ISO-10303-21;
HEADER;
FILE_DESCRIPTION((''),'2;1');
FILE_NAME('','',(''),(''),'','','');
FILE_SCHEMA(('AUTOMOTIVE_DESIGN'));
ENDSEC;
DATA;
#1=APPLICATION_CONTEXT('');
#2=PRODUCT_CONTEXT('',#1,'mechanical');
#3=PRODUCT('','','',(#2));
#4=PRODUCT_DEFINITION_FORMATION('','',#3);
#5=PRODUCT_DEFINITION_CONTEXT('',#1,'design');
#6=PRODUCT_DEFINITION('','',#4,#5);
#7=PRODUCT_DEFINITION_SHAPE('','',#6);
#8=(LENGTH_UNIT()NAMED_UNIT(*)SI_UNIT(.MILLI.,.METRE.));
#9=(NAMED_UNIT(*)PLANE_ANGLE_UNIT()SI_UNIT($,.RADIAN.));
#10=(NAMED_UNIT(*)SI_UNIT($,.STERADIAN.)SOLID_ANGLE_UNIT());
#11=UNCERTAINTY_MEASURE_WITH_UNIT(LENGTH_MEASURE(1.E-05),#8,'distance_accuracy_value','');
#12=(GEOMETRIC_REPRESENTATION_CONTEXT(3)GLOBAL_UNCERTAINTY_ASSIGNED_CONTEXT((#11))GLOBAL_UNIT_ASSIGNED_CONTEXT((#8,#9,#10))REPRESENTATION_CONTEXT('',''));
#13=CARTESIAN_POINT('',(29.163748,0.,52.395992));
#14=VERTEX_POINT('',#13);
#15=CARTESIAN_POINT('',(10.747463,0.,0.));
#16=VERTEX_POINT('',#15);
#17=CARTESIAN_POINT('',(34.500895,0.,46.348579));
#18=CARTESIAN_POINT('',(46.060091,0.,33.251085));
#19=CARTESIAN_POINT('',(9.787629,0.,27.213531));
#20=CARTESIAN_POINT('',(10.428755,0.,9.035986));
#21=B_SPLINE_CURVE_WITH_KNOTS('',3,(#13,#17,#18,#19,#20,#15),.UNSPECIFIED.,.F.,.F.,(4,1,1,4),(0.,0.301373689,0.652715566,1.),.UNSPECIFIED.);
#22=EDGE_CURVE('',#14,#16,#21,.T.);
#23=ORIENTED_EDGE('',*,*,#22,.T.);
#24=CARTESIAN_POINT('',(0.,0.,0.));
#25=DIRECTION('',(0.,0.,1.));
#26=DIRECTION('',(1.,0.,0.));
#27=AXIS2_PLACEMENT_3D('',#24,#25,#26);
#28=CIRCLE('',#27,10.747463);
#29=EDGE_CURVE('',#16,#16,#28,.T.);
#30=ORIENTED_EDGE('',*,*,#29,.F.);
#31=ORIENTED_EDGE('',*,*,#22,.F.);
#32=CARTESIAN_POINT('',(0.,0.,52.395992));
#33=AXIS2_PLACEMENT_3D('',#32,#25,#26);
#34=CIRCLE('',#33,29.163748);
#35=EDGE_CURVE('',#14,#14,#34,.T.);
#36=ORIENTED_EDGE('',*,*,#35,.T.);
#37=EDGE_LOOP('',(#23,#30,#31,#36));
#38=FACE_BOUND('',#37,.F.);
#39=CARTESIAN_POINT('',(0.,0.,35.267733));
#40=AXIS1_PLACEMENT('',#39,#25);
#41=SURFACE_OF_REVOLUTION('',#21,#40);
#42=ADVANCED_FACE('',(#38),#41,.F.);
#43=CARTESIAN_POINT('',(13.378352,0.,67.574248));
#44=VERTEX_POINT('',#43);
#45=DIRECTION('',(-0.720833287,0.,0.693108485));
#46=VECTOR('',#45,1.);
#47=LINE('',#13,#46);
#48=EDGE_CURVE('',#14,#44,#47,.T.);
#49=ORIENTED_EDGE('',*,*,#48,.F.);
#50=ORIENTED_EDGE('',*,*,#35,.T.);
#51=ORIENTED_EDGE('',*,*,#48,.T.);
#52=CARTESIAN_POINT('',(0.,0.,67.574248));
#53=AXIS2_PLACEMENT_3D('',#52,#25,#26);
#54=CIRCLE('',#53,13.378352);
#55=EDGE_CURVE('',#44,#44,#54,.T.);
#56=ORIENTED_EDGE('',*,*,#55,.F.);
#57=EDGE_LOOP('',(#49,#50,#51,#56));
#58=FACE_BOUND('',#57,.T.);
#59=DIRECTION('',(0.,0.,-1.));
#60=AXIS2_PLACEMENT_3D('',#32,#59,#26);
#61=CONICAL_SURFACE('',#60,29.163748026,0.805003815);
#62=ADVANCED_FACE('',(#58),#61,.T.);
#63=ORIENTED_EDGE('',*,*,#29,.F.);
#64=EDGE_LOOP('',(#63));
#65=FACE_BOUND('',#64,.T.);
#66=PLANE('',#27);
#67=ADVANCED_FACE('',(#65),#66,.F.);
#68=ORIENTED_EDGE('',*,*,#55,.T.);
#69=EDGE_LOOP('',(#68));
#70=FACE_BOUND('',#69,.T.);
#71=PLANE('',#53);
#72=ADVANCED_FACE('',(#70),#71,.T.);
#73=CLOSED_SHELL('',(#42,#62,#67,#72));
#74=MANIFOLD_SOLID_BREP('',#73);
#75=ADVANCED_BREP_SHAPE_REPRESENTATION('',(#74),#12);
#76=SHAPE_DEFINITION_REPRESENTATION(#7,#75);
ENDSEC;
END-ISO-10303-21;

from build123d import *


with BuildPart() as f2:
    # F0 (on Front) → F2 (revolve)
    with BuildSketch(Plane.XZ):
        with BuildLine():
            Line((0, 67.5742477179), (0, 0))
            Line((0, 0), (10.7474625111, 0))
            add(Edge.make_bspline(
                [(29.1637480259, 52.395991981), (34.500894645, 46.3485790958), (46.0600907011, 33.2510849476), (9.7876293825, 27.2135309061), (10.4287551239, 9.0359857686), (10.7474625111, 0)],
                knots=[0, 0, 0, 0, 0.3013736894, 0.6527155656, 1, 1, 1, 1], degree=3))
            Line((29.1637480259, 52.395991981), (13.3783519268, 67.5742477179))
            Line((13.3783519268, 67.5742477179), (0, 67.5742477179))
        make_face()
    revolve(axis=Axis((0, 0, 35.2677330375), (0, 0, 1)))


solid = f2.part
